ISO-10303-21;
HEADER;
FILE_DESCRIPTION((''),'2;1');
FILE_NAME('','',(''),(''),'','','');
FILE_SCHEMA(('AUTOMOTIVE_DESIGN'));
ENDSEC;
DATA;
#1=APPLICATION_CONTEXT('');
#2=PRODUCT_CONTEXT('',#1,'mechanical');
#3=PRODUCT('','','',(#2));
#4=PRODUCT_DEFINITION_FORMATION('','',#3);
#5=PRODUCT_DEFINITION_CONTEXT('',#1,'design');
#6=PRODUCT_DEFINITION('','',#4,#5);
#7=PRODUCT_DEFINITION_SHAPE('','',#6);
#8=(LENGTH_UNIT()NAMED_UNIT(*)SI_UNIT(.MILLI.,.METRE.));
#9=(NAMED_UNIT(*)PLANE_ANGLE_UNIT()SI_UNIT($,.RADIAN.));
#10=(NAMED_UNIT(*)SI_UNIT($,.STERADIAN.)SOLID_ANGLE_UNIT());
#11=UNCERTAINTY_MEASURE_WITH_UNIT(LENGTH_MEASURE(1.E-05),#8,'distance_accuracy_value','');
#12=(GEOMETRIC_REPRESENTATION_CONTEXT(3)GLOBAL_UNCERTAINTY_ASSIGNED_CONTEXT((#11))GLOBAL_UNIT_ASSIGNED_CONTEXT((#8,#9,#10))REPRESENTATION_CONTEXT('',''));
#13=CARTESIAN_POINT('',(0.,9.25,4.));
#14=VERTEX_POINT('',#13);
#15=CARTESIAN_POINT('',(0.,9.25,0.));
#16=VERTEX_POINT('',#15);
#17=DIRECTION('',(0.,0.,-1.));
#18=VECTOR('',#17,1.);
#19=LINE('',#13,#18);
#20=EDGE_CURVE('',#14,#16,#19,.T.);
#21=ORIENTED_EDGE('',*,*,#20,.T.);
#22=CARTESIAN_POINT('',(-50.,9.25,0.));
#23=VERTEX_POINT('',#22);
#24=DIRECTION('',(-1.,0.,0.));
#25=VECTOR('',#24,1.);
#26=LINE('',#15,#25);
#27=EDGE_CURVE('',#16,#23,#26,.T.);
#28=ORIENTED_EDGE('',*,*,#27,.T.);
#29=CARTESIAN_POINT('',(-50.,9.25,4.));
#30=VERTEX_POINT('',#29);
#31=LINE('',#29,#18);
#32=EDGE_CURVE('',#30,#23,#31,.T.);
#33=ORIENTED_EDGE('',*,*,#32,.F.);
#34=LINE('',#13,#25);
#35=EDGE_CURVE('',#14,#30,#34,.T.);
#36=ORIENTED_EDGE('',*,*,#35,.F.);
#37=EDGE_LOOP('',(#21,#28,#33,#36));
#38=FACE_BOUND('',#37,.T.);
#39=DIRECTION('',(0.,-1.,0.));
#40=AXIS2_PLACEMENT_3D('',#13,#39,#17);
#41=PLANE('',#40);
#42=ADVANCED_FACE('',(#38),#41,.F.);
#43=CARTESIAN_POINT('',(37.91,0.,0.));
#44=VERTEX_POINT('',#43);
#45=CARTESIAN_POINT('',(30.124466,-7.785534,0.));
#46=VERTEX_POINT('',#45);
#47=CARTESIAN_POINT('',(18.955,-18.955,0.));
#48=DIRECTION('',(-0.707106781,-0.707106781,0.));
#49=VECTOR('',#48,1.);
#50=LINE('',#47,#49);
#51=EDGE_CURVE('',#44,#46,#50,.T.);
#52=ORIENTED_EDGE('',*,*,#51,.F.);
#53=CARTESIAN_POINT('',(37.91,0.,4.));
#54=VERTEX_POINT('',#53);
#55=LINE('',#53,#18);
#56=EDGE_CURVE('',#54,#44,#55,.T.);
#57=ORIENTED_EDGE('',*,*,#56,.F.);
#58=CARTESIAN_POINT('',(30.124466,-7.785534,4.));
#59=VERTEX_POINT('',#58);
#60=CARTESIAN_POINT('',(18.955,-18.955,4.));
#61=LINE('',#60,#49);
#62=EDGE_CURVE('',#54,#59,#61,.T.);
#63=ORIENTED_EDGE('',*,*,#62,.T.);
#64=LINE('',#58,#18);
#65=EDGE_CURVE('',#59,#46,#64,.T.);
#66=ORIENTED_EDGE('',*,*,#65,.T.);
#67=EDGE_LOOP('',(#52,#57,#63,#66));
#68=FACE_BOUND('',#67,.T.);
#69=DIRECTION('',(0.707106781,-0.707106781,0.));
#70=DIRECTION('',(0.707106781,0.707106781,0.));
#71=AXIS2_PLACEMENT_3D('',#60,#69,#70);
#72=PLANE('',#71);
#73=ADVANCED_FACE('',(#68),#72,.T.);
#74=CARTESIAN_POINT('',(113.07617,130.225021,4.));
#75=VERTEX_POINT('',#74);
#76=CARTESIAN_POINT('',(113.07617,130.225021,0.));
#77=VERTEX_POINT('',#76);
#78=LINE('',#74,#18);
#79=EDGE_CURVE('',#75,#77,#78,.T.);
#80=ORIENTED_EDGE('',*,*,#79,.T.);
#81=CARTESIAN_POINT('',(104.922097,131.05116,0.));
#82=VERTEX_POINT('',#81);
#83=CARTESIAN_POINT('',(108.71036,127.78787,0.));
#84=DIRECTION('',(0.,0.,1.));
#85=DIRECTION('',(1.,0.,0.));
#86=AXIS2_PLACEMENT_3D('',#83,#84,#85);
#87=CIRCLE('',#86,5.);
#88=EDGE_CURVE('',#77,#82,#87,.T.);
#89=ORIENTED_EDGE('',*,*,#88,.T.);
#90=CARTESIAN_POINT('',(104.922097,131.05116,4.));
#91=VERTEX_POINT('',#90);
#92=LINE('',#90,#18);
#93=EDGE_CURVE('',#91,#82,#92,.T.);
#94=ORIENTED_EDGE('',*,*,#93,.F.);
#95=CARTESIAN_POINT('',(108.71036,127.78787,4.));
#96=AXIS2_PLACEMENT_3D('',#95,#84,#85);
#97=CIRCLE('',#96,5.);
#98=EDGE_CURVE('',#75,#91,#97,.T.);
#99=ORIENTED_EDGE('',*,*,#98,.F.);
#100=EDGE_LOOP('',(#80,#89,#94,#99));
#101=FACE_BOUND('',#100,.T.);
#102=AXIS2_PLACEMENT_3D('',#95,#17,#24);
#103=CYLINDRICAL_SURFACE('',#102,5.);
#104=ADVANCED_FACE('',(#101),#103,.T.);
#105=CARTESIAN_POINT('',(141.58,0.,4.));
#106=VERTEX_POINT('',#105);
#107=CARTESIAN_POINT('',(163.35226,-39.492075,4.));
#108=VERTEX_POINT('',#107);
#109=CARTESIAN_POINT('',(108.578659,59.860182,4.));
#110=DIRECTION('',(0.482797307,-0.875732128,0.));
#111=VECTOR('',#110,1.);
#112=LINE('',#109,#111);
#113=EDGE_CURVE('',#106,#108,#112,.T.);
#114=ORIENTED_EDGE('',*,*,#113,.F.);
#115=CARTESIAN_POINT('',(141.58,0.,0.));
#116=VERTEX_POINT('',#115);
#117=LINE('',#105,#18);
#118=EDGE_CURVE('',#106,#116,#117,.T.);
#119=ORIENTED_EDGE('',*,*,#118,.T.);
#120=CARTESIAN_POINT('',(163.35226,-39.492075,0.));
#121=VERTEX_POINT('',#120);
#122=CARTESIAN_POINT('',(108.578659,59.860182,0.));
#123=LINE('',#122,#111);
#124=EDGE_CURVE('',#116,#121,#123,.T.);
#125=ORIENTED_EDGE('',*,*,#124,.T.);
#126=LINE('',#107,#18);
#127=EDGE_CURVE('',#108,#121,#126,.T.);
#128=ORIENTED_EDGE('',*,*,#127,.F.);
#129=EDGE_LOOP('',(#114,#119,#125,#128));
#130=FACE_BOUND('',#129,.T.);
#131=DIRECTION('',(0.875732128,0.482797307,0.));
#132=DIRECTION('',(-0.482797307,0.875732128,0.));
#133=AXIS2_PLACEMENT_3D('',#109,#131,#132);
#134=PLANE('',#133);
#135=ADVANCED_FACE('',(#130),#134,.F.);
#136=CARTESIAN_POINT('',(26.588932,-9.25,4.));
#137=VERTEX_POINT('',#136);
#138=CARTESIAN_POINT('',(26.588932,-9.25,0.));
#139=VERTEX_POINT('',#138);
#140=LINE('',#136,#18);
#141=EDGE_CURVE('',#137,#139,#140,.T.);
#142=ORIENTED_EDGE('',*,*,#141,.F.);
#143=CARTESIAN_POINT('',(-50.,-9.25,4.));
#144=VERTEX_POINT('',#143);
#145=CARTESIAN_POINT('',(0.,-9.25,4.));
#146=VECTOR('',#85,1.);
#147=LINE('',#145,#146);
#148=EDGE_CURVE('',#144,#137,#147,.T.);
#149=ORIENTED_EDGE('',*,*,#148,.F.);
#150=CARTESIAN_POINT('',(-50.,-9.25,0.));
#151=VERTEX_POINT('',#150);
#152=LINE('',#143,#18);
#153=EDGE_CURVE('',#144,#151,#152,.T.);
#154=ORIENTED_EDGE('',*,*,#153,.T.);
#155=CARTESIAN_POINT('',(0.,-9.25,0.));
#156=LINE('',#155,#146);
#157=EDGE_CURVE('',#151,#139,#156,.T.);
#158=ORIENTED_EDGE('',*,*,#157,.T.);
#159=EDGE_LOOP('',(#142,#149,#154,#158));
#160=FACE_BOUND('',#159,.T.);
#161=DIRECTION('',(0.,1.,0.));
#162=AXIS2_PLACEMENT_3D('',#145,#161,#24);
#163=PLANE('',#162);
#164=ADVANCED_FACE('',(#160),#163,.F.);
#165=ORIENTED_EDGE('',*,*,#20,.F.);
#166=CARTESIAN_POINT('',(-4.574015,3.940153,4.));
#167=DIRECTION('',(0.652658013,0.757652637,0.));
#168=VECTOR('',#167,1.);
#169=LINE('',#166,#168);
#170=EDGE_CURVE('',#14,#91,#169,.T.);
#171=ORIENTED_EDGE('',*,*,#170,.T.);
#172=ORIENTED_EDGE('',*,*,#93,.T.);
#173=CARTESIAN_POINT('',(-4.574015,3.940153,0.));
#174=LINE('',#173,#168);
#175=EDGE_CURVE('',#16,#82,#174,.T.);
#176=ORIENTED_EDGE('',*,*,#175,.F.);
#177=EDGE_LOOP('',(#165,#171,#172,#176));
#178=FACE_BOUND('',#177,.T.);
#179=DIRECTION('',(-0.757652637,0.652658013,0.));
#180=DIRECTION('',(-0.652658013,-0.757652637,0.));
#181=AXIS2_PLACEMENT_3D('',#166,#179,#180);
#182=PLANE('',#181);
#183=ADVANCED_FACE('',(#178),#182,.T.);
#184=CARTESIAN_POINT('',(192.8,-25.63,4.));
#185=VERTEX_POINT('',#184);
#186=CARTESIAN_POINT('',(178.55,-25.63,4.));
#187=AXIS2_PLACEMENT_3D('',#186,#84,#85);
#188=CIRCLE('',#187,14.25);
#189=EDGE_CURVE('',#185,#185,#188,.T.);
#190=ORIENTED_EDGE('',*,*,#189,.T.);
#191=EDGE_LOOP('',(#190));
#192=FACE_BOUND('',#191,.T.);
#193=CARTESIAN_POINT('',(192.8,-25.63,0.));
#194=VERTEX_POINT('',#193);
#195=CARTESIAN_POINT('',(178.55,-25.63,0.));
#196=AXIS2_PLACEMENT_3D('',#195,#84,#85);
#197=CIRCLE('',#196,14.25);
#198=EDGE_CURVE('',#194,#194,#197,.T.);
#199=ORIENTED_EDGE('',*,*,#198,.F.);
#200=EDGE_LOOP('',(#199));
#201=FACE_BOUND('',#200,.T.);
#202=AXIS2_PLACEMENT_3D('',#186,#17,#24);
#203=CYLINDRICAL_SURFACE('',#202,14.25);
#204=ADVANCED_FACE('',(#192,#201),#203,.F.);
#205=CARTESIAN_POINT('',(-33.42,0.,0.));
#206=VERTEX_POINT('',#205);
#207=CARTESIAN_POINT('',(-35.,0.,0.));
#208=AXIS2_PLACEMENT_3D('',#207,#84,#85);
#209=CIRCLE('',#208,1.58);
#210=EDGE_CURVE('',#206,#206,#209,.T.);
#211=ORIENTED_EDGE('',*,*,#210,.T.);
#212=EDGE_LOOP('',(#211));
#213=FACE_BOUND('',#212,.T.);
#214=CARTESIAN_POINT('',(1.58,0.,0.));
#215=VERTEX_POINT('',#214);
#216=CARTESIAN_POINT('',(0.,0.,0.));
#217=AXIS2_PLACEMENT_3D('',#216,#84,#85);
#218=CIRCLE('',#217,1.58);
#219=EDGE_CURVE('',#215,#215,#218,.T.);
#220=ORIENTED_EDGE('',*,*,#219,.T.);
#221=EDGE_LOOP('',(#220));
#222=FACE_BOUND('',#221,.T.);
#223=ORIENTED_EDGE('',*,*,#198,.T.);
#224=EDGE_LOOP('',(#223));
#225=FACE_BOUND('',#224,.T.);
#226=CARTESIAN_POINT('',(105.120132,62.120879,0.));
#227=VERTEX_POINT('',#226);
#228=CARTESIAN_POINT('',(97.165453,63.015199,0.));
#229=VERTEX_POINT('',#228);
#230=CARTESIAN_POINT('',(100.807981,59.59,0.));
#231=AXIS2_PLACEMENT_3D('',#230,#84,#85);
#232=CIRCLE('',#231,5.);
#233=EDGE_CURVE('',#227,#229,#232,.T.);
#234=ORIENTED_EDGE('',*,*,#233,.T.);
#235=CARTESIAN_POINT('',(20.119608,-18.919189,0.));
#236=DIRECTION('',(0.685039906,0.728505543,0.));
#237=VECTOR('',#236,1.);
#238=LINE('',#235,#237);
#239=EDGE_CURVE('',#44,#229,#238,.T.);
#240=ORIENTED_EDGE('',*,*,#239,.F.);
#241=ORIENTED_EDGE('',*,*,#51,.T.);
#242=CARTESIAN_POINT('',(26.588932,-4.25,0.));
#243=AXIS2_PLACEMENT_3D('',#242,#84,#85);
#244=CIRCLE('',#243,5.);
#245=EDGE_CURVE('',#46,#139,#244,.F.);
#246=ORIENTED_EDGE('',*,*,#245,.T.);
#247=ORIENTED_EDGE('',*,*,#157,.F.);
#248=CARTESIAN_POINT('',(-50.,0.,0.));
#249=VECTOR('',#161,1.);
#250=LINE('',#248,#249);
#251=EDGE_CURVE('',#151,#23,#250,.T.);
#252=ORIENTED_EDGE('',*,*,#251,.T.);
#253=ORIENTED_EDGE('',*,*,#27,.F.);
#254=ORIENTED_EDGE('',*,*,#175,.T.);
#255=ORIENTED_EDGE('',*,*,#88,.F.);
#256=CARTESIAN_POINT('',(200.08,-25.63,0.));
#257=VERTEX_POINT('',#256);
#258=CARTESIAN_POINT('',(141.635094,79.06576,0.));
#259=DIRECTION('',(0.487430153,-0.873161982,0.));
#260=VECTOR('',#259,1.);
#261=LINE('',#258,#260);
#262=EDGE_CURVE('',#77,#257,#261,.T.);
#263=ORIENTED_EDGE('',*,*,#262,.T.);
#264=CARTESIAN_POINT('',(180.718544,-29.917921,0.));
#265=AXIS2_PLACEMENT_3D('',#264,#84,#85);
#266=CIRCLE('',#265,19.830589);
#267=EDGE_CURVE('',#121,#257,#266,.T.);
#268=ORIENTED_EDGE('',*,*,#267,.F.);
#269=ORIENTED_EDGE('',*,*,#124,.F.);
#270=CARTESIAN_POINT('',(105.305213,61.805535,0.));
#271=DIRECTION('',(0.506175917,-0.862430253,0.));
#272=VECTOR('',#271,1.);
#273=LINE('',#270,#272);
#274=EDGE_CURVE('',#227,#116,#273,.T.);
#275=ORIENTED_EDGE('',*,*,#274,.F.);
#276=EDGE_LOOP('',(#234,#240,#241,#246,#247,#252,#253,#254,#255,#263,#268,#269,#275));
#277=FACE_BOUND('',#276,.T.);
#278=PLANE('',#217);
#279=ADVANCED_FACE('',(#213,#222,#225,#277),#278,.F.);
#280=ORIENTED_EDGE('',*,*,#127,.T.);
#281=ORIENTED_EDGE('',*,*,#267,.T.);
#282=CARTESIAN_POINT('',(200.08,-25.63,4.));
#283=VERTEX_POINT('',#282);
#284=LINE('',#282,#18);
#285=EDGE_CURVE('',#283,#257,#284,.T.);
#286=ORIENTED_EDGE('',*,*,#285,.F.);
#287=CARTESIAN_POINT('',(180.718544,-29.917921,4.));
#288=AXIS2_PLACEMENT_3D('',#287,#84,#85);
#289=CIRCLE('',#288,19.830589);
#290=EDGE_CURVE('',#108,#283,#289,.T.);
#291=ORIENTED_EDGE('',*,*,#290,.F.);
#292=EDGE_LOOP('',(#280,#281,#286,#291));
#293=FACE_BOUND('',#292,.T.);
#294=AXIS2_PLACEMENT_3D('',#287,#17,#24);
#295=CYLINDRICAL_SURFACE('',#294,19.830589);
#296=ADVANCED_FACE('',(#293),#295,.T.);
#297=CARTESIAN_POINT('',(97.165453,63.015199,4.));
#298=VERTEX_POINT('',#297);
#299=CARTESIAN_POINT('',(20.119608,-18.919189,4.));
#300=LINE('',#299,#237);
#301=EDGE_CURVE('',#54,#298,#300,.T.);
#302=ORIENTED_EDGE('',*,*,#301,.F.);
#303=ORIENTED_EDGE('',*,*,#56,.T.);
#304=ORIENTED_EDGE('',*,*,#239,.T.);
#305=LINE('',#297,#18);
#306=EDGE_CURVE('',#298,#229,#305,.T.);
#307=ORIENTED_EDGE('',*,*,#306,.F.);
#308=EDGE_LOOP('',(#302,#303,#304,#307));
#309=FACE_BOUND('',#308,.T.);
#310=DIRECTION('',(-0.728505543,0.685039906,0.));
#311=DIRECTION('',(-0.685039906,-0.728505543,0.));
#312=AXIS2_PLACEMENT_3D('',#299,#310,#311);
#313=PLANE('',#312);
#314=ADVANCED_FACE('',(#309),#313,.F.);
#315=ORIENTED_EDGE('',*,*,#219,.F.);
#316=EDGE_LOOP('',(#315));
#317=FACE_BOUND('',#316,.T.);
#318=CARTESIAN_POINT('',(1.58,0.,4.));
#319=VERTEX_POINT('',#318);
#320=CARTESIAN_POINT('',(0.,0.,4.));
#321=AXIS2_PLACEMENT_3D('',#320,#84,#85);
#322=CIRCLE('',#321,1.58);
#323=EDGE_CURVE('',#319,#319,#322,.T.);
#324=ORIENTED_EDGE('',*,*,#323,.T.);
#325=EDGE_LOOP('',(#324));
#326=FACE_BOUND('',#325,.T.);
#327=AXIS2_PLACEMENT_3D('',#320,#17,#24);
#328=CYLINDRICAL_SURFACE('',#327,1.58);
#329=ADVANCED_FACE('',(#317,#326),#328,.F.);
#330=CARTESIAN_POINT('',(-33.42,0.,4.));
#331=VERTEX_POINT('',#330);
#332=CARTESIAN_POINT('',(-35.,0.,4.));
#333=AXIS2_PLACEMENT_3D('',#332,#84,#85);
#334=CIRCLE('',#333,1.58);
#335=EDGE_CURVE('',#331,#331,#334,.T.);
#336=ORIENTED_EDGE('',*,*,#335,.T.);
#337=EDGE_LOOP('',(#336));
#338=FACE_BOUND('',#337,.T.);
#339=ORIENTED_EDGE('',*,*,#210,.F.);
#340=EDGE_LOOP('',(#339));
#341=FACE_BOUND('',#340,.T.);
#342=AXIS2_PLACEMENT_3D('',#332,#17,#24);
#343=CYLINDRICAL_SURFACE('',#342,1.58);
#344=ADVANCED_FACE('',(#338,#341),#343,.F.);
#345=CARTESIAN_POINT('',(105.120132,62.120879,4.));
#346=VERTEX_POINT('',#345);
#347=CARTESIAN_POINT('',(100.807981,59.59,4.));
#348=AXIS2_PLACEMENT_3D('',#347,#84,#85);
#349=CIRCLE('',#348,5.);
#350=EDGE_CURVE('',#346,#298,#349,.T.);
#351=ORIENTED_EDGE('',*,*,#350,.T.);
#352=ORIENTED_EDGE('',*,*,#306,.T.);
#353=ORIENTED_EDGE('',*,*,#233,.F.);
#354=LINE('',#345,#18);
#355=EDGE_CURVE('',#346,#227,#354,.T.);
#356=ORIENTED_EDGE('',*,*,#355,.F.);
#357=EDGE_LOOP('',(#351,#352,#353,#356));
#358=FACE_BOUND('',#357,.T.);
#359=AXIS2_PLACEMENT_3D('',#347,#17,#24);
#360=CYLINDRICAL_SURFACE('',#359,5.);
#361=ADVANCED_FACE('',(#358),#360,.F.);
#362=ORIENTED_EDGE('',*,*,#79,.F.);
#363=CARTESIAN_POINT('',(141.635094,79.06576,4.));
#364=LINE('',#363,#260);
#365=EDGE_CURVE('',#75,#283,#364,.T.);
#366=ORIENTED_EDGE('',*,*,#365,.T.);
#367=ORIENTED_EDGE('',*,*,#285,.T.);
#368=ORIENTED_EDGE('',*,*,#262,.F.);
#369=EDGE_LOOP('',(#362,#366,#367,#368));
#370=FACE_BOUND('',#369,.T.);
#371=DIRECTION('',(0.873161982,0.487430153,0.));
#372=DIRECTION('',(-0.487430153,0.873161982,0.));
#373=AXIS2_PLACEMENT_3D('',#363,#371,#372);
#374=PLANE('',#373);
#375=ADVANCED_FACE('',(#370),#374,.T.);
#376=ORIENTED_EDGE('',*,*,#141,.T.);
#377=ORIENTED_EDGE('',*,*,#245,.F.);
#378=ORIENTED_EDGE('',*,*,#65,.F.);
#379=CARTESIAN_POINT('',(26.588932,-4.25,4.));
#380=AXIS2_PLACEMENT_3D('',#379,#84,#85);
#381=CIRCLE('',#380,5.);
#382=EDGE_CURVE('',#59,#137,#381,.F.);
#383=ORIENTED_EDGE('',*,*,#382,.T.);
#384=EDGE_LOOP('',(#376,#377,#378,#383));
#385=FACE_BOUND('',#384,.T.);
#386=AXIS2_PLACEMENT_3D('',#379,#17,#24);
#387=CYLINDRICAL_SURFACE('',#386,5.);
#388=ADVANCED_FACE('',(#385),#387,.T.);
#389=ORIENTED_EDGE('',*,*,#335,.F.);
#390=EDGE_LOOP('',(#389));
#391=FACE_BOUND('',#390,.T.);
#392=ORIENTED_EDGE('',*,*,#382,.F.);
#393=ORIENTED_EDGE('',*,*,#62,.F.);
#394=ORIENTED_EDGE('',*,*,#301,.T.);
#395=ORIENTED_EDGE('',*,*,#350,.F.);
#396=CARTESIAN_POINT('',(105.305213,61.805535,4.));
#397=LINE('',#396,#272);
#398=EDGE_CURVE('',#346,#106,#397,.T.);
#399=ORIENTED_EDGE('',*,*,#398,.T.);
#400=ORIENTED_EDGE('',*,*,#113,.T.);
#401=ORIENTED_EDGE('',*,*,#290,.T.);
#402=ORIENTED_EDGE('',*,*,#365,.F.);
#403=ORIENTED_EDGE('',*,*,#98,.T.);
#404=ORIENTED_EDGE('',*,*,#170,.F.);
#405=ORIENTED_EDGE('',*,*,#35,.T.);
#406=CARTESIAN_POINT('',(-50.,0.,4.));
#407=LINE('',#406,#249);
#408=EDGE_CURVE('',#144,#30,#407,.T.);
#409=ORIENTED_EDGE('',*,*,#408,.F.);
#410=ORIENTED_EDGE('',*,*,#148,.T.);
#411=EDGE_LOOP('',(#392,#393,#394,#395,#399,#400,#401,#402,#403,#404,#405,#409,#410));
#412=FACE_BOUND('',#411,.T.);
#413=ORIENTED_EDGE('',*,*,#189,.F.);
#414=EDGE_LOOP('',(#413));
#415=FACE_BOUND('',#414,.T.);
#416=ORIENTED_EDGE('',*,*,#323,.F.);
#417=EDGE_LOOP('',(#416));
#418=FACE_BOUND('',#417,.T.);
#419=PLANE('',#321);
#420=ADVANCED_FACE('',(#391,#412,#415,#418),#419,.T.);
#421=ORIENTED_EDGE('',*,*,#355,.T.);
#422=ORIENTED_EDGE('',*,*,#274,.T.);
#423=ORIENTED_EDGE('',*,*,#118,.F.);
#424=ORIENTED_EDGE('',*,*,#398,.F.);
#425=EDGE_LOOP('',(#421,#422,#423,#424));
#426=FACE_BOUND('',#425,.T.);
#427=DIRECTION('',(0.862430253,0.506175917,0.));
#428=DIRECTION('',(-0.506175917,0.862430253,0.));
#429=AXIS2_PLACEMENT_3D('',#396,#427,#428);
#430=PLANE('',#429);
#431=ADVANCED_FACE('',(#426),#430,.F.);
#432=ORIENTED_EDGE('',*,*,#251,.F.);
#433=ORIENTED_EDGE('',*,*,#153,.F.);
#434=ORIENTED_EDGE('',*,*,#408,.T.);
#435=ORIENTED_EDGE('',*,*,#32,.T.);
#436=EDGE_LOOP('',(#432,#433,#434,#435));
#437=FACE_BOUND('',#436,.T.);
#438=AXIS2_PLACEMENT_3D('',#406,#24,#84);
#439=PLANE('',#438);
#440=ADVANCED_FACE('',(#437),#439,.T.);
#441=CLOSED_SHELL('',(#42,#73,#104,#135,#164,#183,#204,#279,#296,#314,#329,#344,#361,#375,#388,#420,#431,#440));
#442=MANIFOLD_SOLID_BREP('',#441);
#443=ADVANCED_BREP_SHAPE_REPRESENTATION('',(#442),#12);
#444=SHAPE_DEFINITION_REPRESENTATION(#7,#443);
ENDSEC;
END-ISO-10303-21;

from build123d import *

# Parameters (mm, degrees)
CROQUIS1_R              = 1.58
CROQUIS1_R_2            = 14.25
SALIENTE_EXTRUIR1_DEPTH = 4


with BuildPart() as part:
    # Croquis1 → Saliente-Extruir1 (new body)
    with BuildSketch(Plane.XY):
        with BuildLine():
            Line((30.124466094, -7.785533906), (37.91, 0))
            Line((37.91, 0), (97.165453192, 63.015199165))
            ThreePointArc((97.165453192, 63.015199165), (101.36659613, 64.558696549), (105.120132173, 62.12087922))
            Line((105.120132173, 62.12087922), (141.58, 0))
            Line((141.58, 0), (153.799494633, -22.164589344))
            Line((153.799494633, -22.164589344), (155.71, -25.63))
            Line((155.71, -25.63), (163.352260057, -39.49207539))
            ThreePointArc((163.352260057, -39.49207539), (187.721004887, -48.471027794), (200.08, -25.63))
            Line((200.08, -25.63), (113.076169939, 130.225021029))
            ThreePointArc((113.076169939, 130.225021029), (109.214360618, 132.762403753), (104.922096847, 131.051160333))
            Line((104.922096847, 131.051160333), (0, 9.25))
            Line((0, 9.25), (-35, 9.25))
            Line((-35, 9.25), (-50, 9.25))
            Line((-50, 9.25), (-50, -9.25))
            Line((-50, -9.25), (-35, -9.25))
            Line((-35, -9.25), (0, -9.25))
            Line((0, -9.25), (26.588932188, -9.25))
            ThreePointArc((26.588932188, -9.25), (28.50234935, -8.869397663), (30.124466094, -7.785533906))
        make_face()
        with Locations((-35, 0)):
            Circle(CROQUIS1_R, mode=Mode.SUBTRACT)
        Circle(CROQUIS1_R, mode=Mode.SUBTRACT)
        with Locations((178.55, -25.63)):
            Circle(CROQUIS1_R_2, mode=Mode.SUBTRACT)
    extrude(amount=SALIENTE_EXTRUIR1_DEPTH)


solid = part.part
